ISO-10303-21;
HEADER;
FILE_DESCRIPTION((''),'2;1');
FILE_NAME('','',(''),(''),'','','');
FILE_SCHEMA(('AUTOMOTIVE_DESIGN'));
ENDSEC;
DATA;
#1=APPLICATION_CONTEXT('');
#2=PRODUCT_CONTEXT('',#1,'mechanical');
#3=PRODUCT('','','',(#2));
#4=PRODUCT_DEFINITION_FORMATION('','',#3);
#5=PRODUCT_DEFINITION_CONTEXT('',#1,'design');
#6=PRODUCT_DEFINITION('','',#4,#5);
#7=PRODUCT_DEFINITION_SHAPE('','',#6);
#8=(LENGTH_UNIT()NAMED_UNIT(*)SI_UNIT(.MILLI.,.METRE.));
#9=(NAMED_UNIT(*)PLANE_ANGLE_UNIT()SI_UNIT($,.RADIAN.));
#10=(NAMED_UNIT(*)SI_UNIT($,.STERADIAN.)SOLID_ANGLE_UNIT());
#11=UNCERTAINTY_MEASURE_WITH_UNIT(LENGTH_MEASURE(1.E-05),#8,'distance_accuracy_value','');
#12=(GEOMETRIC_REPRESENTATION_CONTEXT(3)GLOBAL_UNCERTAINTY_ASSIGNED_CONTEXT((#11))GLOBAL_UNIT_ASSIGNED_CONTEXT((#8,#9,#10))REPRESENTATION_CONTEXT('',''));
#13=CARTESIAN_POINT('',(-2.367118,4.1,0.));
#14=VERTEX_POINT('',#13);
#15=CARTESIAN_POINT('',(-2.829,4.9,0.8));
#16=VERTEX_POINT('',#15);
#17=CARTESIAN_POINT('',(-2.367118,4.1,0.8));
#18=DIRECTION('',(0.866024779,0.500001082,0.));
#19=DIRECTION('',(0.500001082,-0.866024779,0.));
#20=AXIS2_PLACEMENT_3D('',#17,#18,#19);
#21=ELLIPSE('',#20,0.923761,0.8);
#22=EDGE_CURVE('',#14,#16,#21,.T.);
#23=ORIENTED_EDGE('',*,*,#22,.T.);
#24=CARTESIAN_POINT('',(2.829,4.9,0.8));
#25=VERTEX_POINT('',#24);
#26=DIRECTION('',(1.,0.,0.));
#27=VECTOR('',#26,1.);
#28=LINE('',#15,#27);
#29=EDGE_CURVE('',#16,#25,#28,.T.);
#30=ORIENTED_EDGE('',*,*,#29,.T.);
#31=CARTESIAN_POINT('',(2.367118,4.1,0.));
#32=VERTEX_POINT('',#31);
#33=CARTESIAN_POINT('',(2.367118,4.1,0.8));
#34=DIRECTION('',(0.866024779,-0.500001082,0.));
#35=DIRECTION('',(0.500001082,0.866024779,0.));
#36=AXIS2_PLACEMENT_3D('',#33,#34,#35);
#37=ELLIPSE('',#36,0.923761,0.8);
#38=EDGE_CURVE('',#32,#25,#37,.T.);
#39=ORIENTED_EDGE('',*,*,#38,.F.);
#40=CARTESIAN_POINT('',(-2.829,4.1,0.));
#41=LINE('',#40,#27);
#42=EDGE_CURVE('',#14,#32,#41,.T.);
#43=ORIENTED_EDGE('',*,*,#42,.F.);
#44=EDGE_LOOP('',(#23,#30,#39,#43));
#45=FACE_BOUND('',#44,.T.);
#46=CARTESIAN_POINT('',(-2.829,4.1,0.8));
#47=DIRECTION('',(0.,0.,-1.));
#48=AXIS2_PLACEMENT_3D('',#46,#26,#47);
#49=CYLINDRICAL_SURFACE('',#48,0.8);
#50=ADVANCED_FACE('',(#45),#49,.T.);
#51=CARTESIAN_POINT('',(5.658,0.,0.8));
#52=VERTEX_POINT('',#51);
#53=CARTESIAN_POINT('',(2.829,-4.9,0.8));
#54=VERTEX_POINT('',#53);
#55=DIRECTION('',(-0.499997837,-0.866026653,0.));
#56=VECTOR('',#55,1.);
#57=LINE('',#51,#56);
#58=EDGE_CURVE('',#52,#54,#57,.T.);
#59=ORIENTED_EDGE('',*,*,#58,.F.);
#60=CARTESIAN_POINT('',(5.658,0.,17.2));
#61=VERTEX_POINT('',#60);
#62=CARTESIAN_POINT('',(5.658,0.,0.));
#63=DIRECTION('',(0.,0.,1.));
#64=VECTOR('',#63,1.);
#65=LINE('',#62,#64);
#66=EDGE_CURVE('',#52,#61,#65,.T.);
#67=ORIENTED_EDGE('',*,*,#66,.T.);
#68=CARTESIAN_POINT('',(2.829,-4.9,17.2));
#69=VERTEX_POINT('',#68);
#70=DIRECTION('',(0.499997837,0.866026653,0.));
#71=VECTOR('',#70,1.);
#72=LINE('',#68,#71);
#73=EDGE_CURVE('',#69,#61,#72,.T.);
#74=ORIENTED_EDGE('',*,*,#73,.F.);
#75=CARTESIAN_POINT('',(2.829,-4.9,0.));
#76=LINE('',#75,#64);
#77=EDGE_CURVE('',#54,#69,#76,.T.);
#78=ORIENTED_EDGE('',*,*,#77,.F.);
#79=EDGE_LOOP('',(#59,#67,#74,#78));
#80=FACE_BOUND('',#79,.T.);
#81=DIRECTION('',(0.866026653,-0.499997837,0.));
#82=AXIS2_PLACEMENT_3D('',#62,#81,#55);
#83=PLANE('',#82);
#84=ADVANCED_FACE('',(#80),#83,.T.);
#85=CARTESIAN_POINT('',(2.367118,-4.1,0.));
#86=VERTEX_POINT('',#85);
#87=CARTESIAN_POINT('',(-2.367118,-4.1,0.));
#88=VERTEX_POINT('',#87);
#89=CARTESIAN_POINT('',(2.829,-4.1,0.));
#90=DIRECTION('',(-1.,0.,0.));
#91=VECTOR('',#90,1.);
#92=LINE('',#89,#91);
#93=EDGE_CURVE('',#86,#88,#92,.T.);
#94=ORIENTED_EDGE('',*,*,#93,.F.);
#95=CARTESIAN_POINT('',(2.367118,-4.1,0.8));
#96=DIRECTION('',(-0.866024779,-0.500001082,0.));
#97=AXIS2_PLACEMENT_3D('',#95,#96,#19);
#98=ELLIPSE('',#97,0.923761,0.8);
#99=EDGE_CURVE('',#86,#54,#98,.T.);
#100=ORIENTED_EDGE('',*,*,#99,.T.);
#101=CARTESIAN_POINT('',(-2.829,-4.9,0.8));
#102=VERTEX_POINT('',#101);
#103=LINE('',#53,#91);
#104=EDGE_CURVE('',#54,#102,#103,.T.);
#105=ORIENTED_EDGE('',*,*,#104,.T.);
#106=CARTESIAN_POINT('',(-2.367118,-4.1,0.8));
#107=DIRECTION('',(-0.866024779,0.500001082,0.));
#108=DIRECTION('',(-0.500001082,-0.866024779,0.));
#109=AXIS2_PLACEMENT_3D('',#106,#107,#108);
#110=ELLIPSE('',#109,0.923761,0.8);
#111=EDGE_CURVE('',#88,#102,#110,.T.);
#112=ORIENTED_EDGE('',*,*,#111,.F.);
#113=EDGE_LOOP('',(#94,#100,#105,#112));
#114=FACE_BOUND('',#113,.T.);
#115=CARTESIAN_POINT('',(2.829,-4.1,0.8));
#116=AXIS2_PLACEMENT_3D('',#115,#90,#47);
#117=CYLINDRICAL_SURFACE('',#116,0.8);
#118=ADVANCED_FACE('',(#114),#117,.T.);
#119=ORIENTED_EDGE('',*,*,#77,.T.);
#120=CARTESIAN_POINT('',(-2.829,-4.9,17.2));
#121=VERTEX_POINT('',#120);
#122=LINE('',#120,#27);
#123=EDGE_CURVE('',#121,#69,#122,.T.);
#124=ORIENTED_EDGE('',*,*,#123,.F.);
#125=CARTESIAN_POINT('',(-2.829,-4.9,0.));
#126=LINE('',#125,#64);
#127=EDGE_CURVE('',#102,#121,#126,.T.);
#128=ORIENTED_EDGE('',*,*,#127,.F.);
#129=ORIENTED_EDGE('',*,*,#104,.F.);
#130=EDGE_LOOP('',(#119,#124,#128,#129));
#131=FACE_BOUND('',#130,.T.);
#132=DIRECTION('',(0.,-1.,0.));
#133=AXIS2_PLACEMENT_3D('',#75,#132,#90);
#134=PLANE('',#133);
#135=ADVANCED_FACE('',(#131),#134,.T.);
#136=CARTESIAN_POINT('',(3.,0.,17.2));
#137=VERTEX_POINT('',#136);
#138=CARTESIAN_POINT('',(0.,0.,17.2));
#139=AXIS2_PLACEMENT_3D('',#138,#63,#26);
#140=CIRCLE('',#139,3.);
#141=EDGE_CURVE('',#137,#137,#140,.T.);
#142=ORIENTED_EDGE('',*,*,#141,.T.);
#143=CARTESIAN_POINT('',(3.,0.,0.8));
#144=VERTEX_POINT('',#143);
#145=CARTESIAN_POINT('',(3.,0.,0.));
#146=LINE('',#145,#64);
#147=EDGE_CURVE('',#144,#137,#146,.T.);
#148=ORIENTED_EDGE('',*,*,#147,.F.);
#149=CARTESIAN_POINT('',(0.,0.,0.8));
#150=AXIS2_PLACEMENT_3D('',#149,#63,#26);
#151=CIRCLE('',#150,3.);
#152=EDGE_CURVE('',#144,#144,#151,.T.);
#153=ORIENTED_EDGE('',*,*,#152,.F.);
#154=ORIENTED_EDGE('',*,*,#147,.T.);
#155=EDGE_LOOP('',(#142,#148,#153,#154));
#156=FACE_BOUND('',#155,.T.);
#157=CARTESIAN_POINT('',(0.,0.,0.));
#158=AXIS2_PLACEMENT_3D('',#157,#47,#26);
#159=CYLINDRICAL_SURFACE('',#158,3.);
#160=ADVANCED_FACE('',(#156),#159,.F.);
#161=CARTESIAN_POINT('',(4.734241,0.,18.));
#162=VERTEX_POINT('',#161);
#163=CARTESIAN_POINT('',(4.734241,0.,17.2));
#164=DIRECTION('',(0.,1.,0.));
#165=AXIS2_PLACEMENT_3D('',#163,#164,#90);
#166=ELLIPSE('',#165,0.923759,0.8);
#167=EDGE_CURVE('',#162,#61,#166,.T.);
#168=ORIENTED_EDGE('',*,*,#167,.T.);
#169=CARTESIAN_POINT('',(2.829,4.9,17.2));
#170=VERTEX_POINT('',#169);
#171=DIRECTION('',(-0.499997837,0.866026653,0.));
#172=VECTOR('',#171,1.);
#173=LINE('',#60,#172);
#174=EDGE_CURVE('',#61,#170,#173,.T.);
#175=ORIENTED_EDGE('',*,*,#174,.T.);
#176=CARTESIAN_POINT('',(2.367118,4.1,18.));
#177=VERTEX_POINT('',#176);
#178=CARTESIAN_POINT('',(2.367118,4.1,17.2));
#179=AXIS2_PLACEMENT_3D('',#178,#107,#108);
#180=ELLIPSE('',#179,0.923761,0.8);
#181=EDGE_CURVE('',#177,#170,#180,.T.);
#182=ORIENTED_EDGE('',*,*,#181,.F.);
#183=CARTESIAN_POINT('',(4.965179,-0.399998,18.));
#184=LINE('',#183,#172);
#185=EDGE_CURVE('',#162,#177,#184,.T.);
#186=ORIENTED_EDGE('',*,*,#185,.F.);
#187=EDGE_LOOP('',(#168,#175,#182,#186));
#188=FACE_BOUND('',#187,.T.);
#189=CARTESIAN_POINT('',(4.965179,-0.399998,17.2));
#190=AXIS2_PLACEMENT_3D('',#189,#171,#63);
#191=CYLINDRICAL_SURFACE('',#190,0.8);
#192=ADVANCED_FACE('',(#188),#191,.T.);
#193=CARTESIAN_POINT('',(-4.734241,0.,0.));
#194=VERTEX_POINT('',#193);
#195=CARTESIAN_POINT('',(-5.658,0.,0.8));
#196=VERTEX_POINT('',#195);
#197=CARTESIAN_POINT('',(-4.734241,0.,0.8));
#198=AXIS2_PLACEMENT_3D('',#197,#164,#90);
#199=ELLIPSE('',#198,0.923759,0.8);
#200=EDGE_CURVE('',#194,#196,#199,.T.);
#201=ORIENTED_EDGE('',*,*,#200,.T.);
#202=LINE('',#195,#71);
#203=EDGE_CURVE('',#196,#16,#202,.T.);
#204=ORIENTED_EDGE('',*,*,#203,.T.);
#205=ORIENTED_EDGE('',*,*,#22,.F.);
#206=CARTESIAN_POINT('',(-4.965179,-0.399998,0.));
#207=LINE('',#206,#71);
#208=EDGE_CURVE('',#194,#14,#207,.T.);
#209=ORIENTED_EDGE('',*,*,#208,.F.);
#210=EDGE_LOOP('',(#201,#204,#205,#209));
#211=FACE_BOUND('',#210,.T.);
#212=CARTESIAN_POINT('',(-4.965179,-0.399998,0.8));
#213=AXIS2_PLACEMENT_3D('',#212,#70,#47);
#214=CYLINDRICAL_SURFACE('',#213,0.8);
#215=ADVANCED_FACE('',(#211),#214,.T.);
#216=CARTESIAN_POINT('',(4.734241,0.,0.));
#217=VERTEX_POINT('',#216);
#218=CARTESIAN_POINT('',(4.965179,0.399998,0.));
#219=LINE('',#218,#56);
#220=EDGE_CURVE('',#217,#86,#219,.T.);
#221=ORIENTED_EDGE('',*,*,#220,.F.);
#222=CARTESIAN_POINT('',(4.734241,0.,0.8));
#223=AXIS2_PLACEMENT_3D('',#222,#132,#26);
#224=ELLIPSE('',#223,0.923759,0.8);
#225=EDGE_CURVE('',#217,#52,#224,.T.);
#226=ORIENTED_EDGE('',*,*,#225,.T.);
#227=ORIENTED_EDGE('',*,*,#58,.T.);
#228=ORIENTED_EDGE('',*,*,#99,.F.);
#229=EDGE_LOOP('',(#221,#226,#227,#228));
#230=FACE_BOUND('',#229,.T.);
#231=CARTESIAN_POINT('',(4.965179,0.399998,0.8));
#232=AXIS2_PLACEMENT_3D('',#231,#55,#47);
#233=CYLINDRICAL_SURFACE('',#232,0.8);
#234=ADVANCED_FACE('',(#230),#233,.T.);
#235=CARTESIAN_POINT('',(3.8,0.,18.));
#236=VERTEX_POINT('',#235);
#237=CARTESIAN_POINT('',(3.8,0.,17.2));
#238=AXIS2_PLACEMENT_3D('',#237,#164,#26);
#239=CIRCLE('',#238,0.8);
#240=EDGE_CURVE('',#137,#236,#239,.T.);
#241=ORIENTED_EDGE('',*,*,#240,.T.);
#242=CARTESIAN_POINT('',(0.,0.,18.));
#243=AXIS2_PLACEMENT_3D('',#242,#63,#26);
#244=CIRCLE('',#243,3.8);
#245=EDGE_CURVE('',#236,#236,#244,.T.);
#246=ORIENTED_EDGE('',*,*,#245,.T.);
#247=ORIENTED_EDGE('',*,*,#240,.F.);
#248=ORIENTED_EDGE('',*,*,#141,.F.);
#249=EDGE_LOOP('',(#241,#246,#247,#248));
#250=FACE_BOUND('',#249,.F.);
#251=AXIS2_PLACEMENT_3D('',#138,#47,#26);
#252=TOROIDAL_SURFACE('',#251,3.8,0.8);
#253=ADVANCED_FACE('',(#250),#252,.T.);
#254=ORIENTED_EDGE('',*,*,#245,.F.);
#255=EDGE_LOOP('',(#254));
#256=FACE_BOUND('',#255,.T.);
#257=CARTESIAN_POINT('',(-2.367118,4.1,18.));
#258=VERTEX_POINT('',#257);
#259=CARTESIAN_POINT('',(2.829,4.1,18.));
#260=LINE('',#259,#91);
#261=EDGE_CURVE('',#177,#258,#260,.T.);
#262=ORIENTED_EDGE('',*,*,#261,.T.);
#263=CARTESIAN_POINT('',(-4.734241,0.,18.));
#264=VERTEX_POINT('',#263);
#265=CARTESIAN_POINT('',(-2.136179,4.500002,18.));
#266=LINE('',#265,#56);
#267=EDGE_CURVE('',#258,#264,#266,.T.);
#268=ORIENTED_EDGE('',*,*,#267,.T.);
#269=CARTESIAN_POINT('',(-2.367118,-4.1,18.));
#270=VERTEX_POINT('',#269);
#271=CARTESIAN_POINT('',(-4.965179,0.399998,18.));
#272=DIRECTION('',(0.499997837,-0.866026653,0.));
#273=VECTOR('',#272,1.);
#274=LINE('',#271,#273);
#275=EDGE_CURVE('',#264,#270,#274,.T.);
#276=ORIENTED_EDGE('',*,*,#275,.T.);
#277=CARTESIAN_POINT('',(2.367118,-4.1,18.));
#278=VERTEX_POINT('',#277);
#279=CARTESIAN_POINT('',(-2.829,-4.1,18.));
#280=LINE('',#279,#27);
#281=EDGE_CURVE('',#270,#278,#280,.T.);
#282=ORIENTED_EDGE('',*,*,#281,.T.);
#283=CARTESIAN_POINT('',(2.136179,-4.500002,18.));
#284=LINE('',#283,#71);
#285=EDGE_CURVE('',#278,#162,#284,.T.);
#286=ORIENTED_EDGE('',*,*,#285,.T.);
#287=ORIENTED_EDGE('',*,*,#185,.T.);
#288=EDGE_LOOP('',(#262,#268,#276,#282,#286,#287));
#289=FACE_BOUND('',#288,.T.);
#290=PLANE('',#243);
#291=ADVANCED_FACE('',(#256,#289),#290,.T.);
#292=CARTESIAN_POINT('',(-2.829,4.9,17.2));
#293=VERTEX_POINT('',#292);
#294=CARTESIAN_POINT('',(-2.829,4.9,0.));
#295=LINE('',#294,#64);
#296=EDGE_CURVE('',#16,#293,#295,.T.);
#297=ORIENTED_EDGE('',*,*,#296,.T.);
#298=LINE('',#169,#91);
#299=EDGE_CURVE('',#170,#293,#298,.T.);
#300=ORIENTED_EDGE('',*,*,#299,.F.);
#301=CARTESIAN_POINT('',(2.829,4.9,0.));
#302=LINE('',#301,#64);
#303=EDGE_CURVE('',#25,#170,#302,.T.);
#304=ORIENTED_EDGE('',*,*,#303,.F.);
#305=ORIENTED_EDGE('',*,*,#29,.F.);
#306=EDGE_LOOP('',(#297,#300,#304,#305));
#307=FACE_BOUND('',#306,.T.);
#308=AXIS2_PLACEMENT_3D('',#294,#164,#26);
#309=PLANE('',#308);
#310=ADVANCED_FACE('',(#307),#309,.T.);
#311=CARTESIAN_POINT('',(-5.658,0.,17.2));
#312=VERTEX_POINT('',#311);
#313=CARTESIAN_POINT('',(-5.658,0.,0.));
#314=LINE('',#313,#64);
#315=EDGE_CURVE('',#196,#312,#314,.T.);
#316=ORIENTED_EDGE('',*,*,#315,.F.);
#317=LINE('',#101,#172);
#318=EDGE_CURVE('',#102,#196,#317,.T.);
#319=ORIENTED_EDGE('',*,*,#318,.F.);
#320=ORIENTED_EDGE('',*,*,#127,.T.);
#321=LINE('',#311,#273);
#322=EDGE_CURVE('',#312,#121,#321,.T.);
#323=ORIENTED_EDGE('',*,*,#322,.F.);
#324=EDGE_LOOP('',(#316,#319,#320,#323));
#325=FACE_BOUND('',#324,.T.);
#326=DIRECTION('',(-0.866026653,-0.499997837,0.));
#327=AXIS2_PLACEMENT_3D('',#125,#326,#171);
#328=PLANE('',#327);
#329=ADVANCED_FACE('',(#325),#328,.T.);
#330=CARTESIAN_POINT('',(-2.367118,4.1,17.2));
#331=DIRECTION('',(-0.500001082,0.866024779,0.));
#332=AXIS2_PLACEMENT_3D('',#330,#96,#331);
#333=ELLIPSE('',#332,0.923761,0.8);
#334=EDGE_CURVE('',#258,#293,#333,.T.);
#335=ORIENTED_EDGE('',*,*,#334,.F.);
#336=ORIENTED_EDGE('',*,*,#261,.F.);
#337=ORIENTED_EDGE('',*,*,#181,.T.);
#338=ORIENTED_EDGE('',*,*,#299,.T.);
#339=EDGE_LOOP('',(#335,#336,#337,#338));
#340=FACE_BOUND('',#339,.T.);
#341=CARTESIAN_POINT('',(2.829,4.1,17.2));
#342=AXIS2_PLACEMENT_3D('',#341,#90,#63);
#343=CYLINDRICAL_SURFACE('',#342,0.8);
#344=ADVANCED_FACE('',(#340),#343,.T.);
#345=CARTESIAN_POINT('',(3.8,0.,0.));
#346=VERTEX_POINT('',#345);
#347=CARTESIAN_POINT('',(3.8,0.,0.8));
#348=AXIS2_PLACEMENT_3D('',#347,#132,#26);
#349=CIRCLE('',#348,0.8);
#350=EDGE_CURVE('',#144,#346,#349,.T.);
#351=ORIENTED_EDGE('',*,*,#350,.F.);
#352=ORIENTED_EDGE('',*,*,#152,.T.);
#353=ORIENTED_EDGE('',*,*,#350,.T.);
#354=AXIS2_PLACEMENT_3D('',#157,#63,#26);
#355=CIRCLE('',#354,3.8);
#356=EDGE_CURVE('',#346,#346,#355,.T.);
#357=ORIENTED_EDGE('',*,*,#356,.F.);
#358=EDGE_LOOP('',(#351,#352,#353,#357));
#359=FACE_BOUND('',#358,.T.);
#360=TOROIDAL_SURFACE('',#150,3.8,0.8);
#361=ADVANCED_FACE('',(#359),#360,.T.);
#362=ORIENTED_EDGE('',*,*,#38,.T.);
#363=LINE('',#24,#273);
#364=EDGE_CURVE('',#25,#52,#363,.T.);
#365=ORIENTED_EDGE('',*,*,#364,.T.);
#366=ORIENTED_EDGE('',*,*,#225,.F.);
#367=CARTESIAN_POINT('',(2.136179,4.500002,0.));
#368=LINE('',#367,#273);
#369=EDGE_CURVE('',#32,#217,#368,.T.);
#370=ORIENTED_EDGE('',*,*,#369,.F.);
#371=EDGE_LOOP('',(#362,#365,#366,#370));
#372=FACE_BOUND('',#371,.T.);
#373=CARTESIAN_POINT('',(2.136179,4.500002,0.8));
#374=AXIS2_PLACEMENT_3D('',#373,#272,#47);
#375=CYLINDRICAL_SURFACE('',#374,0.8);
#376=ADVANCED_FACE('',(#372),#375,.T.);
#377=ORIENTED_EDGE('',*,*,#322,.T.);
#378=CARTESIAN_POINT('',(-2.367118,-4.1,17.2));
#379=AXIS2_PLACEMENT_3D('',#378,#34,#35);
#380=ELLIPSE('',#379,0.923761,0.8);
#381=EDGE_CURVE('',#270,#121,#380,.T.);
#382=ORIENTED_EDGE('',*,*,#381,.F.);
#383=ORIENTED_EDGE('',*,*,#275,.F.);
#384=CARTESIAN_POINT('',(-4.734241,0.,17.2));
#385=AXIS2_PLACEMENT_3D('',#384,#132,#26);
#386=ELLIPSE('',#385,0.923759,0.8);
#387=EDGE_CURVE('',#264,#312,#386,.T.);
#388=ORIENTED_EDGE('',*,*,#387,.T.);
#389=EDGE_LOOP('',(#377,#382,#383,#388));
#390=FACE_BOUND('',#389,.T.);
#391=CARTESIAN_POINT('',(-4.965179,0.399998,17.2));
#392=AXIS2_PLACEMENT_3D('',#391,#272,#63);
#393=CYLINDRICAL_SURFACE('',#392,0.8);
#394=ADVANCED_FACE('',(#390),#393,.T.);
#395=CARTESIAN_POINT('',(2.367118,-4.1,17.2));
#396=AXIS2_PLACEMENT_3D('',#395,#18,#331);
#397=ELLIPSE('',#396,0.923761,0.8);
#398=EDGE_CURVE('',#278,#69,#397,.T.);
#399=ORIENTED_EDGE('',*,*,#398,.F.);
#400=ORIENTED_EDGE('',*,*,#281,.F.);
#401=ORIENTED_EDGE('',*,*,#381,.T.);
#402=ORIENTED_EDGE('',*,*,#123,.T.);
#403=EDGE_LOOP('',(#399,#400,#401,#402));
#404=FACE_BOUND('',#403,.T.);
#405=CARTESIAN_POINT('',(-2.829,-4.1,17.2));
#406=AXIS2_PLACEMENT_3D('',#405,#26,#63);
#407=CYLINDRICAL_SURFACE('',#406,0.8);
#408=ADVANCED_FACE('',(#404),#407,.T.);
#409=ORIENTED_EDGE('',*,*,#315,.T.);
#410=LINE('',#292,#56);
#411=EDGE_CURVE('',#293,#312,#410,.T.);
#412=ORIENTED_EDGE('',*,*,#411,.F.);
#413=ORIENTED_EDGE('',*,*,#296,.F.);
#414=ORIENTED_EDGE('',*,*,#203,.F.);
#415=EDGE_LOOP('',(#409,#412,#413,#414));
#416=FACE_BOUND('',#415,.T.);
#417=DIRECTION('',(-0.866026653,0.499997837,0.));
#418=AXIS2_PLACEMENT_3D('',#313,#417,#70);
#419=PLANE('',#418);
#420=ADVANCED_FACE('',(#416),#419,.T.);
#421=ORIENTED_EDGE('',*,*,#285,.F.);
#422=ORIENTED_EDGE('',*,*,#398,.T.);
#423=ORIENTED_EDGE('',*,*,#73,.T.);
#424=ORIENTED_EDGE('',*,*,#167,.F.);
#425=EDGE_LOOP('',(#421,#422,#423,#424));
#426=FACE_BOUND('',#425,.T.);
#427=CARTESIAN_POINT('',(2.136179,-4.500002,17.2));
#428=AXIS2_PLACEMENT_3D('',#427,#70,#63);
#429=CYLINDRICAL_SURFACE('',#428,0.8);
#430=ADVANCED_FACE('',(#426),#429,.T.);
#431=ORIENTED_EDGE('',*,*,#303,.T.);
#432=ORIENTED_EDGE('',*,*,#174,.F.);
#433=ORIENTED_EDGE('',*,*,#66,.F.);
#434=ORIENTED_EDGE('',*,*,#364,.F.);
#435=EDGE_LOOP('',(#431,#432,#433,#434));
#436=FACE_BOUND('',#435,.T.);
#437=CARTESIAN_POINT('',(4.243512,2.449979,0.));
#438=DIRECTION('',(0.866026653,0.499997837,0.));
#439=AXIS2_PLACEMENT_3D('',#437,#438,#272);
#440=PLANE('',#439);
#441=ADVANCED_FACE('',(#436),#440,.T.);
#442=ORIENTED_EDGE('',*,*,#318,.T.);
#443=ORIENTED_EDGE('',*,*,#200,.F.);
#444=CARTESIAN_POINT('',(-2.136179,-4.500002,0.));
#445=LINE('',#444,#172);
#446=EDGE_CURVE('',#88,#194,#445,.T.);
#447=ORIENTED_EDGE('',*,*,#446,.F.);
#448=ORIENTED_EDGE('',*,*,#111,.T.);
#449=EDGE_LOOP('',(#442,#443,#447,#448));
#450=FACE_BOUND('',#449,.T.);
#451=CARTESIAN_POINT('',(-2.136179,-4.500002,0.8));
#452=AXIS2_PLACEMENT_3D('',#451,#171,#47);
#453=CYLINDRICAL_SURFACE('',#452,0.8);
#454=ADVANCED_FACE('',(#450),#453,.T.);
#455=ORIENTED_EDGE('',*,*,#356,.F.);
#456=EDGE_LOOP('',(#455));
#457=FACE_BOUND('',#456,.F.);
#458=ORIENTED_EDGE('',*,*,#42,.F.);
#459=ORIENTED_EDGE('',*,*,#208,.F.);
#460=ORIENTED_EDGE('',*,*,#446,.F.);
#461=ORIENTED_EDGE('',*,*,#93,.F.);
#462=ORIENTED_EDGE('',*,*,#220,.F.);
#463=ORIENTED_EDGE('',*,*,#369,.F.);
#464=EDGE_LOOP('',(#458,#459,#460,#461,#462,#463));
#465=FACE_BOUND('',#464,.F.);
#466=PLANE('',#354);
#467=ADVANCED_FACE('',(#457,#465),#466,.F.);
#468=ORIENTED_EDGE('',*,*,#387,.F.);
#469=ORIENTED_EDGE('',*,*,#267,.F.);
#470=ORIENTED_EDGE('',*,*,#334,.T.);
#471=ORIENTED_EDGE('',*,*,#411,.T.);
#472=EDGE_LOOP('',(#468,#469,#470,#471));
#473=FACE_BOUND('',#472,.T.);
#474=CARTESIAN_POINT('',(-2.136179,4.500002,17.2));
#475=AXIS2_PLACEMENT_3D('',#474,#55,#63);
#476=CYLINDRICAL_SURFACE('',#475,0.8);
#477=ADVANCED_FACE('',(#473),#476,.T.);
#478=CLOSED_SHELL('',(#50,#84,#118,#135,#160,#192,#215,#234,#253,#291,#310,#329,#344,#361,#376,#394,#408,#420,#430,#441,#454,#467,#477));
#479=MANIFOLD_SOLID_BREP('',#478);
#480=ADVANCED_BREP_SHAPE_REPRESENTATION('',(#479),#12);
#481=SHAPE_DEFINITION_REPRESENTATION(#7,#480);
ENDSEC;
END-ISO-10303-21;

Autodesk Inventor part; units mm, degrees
ref_plane "YZ Plane" through (0, 0, 0) normal (1, 0, 0) x (0, 1, 0)
ref_plane "XZ Plane" through (0, 0, 0) normal (0, 1, 0) x (-1, 0, 0)
ref_plane "XY Plane" through (0, 0, 0) normal (0, 0, 1) x (1, 0, 0)
sketch "Szkic1" plane through (0, 0, 0) normal (0, 0, 1) x (1, 0, 0)
  circle A0 centre (0, 0) radius 4.9
  line L0 (2.829, 4.9) -> (5.658, 0)
  line L1 (5.658, 0) -> (2.829, -4.9)
  line L2 (2.829, -4.9) -> (-2.829, -4.9)
  line L3 (-2.829, -4.9) -> (-5.658, 0)
  line L4 (-5.658, 0) -> (-2.829, 4.9)
  line L5 (-2.829, 4.9) -> (2.829, 4.9)
  circle A1 centre (0, 0) radius 3
  point P0 (0, 4.9)
  dimension "d0" = 9.8
  dimension "d1" = 6
extrude "Wyciągnięcie proste1" add sketch "Szkic1" along normal blind 18
fillet "Zaokrąglenie1" radius 0.8 16 edges at (1.4145, 4.9, 18) (-1.4145, 4.9, 18) (4.2435, 2.45, 18) (4.2435, -2.45, 18) (0, -4.9, 18) (-4.2435, -2.45, 18) (-4.2435, 2.45, 18) (1.4145, 4.9, 0) (-1.4145, 4.9, 0) (4.2435, 2.45, 0) (4.2435, -2.45, 0) (0, -4.9, 0) (-4.2435, -2.45, 0) (-4.2435, 2.45, 0) (-3, 0, 18) (-3, 0, 0)
properties part number "COTS_GENERIC_Z_Axis_M6_Screw_Nut"
